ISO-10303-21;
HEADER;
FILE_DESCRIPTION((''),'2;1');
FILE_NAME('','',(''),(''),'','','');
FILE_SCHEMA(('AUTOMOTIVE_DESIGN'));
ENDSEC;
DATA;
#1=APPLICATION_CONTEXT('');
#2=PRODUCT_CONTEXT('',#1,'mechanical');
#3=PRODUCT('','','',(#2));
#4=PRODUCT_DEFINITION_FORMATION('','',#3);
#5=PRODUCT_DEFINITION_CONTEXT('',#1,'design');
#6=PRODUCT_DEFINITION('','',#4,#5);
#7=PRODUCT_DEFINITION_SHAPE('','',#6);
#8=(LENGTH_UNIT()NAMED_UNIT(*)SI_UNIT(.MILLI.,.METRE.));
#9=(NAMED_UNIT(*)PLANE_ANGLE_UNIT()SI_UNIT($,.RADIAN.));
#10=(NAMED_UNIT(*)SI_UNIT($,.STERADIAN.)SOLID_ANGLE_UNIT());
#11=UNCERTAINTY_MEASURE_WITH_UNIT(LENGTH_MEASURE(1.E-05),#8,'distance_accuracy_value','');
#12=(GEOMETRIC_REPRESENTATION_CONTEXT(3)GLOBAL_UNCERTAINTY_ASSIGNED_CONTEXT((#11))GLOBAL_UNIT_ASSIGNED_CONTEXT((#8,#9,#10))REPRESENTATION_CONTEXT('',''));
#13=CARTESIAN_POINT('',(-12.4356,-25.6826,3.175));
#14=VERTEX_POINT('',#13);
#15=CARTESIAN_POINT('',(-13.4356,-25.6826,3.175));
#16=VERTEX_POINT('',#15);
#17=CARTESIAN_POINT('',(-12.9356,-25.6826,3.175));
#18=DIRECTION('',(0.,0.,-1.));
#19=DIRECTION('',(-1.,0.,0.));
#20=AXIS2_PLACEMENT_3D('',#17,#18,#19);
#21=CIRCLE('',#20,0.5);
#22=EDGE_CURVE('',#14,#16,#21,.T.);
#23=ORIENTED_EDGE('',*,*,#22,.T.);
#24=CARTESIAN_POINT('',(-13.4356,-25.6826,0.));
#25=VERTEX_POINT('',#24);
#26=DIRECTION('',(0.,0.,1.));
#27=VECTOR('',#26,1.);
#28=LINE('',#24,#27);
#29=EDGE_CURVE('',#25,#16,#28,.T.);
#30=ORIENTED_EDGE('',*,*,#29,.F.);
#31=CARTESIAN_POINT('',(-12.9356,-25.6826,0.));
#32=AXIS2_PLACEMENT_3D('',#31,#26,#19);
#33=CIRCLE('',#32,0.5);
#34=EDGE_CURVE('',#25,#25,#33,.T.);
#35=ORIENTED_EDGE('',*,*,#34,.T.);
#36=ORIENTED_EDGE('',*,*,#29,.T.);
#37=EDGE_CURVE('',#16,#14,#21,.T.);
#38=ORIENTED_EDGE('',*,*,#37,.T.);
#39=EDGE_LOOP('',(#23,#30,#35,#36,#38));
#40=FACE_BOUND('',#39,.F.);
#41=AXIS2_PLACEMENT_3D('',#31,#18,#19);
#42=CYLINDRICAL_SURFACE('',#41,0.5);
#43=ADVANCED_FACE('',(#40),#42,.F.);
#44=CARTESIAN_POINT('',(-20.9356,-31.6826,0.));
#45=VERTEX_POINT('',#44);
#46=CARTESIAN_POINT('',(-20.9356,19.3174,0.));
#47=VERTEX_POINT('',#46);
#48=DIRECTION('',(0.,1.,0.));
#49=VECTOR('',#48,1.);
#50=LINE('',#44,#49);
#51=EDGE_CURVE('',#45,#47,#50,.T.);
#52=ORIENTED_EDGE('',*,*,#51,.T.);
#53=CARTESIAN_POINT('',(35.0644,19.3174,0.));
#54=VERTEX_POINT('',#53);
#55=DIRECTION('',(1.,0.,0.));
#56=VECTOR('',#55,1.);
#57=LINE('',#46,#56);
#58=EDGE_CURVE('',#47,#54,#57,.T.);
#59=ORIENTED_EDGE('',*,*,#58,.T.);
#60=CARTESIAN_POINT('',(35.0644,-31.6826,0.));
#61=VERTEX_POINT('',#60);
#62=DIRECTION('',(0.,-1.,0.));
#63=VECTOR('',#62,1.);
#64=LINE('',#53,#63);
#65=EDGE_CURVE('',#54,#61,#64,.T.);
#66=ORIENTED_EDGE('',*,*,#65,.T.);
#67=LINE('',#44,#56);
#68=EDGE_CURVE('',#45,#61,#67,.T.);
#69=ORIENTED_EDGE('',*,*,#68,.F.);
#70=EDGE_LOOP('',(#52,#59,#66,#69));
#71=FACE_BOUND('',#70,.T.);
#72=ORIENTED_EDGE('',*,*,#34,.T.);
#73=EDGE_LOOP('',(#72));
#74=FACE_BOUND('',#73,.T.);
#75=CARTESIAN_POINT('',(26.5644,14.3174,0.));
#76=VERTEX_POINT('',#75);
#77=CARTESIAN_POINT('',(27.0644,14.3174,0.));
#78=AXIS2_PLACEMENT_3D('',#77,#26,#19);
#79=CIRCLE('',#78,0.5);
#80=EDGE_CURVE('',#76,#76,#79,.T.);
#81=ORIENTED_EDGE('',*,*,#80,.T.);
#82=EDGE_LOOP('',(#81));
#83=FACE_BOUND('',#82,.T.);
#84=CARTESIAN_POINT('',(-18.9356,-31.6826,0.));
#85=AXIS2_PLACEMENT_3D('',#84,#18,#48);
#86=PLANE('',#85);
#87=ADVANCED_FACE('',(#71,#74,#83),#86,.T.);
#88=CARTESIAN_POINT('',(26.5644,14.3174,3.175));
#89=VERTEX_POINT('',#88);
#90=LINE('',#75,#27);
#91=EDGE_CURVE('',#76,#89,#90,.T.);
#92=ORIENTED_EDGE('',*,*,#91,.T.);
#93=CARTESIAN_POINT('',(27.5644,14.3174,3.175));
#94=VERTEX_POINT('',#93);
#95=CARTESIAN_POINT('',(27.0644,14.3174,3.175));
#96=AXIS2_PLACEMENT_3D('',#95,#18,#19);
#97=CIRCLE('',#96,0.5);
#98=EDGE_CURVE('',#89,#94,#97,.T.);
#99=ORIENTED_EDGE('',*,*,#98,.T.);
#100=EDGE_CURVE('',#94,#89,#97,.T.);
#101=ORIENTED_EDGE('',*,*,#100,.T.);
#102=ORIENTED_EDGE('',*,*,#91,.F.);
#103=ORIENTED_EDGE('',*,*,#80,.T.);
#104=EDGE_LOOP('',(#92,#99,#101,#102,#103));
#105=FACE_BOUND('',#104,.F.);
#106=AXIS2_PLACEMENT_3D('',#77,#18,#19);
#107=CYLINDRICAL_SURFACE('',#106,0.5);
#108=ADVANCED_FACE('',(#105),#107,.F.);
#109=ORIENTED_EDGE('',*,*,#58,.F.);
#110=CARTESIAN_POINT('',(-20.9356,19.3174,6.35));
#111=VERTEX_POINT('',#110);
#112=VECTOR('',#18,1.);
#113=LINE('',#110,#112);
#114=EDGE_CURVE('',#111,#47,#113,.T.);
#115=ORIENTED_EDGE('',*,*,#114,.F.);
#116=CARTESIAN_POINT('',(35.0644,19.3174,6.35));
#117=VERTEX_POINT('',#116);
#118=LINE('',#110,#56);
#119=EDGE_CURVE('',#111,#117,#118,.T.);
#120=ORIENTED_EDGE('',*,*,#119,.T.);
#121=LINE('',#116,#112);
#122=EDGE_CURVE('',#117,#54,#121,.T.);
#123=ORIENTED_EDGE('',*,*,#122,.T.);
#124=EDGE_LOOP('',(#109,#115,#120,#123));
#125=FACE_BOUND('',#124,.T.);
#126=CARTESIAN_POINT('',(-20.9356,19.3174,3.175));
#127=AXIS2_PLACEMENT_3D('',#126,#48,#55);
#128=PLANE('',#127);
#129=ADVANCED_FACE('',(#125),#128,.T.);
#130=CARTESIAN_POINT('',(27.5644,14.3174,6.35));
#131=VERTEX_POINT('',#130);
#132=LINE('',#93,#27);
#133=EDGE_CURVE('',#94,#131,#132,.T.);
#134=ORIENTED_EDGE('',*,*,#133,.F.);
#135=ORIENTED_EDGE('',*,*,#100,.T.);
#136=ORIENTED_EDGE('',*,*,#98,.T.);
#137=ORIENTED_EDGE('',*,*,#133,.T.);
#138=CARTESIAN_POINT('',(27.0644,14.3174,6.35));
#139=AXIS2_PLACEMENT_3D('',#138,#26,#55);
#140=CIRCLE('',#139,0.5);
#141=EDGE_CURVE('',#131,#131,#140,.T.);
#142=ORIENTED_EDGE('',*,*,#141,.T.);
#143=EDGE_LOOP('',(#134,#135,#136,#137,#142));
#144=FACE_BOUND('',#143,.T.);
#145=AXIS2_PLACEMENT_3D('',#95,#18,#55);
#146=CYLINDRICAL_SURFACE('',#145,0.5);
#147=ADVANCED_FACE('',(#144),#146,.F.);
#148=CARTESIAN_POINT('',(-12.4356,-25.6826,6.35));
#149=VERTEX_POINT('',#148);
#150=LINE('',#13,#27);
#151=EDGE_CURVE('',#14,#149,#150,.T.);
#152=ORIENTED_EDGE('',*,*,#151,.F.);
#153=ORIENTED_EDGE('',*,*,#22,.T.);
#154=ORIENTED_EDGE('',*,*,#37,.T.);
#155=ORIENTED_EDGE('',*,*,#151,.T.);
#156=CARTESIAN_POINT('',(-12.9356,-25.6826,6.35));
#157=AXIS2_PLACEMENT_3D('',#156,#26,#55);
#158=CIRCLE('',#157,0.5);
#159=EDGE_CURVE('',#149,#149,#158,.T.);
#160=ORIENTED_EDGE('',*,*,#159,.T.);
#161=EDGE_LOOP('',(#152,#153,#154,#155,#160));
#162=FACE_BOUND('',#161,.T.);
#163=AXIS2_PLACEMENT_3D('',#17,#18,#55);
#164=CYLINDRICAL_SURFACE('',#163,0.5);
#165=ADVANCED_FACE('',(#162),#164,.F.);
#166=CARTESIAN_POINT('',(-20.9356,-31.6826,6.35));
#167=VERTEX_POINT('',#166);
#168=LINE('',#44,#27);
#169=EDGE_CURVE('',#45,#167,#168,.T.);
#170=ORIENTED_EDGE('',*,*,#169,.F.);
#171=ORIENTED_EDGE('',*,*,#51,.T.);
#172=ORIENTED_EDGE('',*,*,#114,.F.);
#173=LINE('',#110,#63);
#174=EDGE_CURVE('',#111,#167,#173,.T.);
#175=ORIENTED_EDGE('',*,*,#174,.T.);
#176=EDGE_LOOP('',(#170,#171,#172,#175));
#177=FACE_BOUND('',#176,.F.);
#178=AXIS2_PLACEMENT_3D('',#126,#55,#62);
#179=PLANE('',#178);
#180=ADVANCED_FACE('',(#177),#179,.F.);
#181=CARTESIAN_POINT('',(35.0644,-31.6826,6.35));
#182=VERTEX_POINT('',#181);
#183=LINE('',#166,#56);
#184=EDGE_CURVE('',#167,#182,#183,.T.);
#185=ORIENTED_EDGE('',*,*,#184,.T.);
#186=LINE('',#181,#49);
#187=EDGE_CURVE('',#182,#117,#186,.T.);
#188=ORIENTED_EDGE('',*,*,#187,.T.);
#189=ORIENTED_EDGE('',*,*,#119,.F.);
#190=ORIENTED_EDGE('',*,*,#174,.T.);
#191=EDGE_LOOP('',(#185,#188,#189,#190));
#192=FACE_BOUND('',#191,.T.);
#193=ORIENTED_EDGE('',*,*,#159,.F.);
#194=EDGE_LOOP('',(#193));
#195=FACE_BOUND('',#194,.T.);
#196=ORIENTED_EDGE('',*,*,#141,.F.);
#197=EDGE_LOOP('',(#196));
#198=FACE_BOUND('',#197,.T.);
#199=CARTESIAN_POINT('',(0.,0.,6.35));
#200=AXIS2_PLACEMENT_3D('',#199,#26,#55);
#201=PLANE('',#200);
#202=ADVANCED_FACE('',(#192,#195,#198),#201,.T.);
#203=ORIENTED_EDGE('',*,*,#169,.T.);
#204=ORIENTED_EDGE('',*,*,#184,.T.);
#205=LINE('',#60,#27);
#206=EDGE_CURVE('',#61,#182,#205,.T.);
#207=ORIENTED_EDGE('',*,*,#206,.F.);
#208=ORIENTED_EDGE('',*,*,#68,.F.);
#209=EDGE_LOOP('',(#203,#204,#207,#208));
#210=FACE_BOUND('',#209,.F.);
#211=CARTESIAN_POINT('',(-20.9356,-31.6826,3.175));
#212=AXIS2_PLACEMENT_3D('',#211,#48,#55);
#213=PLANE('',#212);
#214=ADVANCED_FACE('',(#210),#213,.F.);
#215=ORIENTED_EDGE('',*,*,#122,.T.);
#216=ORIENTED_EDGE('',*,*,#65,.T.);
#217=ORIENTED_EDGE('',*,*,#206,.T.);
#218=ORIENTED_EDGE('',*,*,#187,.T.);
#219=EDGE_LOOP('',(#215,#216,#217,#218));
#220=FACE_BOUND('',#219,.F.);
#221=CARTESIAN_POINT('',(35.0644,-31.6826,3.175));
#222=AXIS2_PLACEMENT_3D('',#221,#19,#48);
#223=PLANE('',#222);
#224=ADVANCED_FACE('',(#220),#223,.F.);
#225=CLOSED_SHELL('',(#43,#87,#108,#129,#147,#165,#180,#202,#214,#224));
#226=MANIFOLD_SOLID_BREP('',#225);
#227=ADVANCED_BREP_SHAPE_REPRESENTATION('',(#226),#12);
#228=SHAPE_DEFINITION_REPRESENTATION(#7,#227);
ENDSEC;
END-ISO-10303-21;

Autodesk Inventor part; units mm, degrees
ref_plane "YZ Plane" through (0, 0, 0) normal (1, 0, 0) x (0, 1, 0)
ref_plane "XZ Plane" through (0, 0, 0) normal (0, 1, 0) x (-1, 0, 0)
ref_plane "XY Plane" through (0, 0, 0) normal (0, 0, 1) x (1, 0, 0)
sketch "Sketch1" plane through (0, 0, 0) normal (0, 0, 1) x (1, 0, 0)
  line L0 (-22.6981, 19.3174) -> (27.3019, 19.3174)
  line L1 (27.3019, 19.3174) -> (27.3019, -30.6826)
  line L2 (27.3019, -30.6826) -> (-22.6981, -30.6826)
  line L3 (-22.6981, -30.6826) -> (-22.6981, 19.3174)
  point P0 (0, 0)
  dimension "d0" = 50
  dimension "d1" = 50
extrude "Extrusion1" add sketch "Sketch1" along normal blind 3.175
sketch "Sketch2" plane through (27.3019, -30.6826, 0) normal (1, 0, 0) x (0, 0, -1)
  line L0 (-3.175, 50) -> (-3.175, 0) projected
  line L1 (0, 0) -> (-3.175, 0) projected
  line L2 (0, 50) -> (0, 0) projected
  line L3 (0, 50) -> (-3.175, 50) projected
  point P0 (0, 30.6826)
extrude "Extrusion2" add sketch "Sketch2" along normal blind 9.525
sketch "Sketch3" plane through (0, 0, 3.175) normal (0, 0, 1) x (1, 0, 0)
  line L0 (-22.6981, -30.6826) -> (-22.6981, 19.3174) projected
  line L1 (36.8269, -30.6826) -> (-22.6981, -30.6826) projected
  line L2 (-22.6981, 19.3174) -> (-19.5231, 19.3174)
  line L3 (-19.5231, 19.3174) -> (-19.5231, 4.3174)
  line L4 (-19.5231, 4.3174) -> (-22.6981, 4.3174)
  line L5 (-22.6981, 4.3174) -> (-22.6981, 19.3174)
  line L6 (36.8269, 19.3174) -> (33.6519, 19.3174)
  line L7 (33.6519, 19.3174) -> (33.6519, 4.3174)
  line L8 (33.6519, 4.3174) -> (36.8269, 4.3174)
  line L9 (36.8269, 4.3174) -> (36.8269, 19.3174)
  line L10 (36.8269, -30.6826) -> (33.6519, -30.6826)
  line L11 (33.6519, -30.6826) -> (33.6519, -15.6826)
  line L12 (33.6519, -15.6826) -> (36.8269, -15.6826)
  line L13 (36.8269, -15.6826) -> (36.8269, -30.6826)
  line L14 (-22.6981, -15.6826) -> (-19.5231, -15.6826)
  line L15 (-19.5231, -15.6826) -> (-19.5231, -30.6826)
  line L16 (-19.5231, -30.6826) -> (-22.6981, -30.6826)
  line L17 (-22.6981, -30.6826) -> (-22.6981, -15.6826)
  point P0 (0, 0)
  dimension "d6" = 3.175
  dimension "d7" = 15
  dimension "d8" = 3.175
  dimension "d9" = 15
extrude "Extrusion3" cut sketch "Sketch3" against normal blind 9.525
sketch "Sketch4" plane through (0, 0, 0) normal (0, 0, -1) x (-1, 0, 0)
  line L0 (-33.6519, -30.6826) -> (19.5231, -30.6826) projected
  line L1 (19.5231, 19.3174) -> (-33.6519, 19.3174) projected
  line L2 (-7.0644, 19.3174) -> (-27.0644, 19.3174)
  line L3 (-27.0644, 19.3174) -> (-27.0644, 14.3174)
  line L4 (-7.0644, -30.6826) -> (12.9356, -30.6826)
  line L5 (12.9356, -30.6826) -> (12.9356, -25.6826)
  circle A0 centre (-27.0644, 14.3174) radius 0.5
  circle A1 centre (12.9356, -25.6826) radius 0.5
  point P0 (0, 0)
  dimension "d12" = 20
  dimension "d13" = 5
  dimension "d14" = 20
  dimension "d15" = 5
  dimension "d16" = 1
  dimension "d17" = 1
extrude "Extrusion4" cut sketch "Sketch4" against normal blind 25.4
sketch "Sketch5" plane through (0, 0, 0) normal (0, 0, -1) x (-1, 0, 0)
  line L0 (-33.6519, 4.3174) -> (-36.8269, 4.3174) projected
  line L1 (-36.8269, 4.3174) -> (-36.8269, -15.6826) projected
  line L2 (-36.8269, -15.6826) -> (-33.6519, -15.6826) projected
  line L3 (-33.6519, -15.6826) -> (-33.6519, -30.6826) projected
  line L4 (-33.6519, -30.6826) -> (19.5231, -30.6826) projected
  line L5 (19.5231, -30.6826) -> (19.5231, -15.6826) projected
  line L6 (19.5231, -15.6826) -> (22.6981, -15.6826) projected
  line L7 (22.6981, -15.6826) -> (22.6981, 4.3174) projected
  line L8 (22.6981, 4.3174) -> (19.5231, 4.3174) projected
  line L9 (19.5231, 4.3174) -> (19.5231, 19.3174) projected
  line L10 (19.5231, 19.3174) -> (-33.6519, 19.3174) projected
  line L11 (-33.6519, 19.3174) -> (-33.6519, 4.3174) projected
  line L12 (19.5231, -30.6826) -> (17.9356, -30.6826)
  line L13 (17.9356, -30.6826) -> (17.9356, 19.3174)
  line L14 (-33.6519, 19.3174) -> (-32.0644, 19.3174)
  line L15 (-32.0644, 19.3174) -> (-32.0644, -30.6826)
  point P0 (0, 0)
  dimension "d20" = 1.5875
  dimension "d21" = 1.5875
extrude "Extrusion5" cut sketch "Sketch5" against normal blind 25.4 contours L11 L10 L15 L4 L3 L2 L1 L0 | L10 L9 L8 L7 L6 L5 L4 L13
sketch "Sketch6" plane through (-17.9356, -30.6826, 0) normal (0, -1, 0) x (1, 0, 0)
  line L0 (0, 3.175) -> (0, 0) projected
  line L1 (50, 0) -> (0, 0) projected
  line L2 (50, 0) -> (50, 3.175) projected
  line L3 (50, 3.175) -> (0, 3.175) projected
  point P0 (17.9356, 0)
extrude "Extrusion6" add sketch "Sketch6" along normal blind 3.175
sketch "Sketch7" plane through (-17.9356, 19.3174, 0) normal (-1, 0, 0) x (0, 0, 1)
  line L0 (3.175, 0) -> (3.175, -53.175) projected
  line L1 (0, 0) -> (3.175, 0) projected
  line L2 (0, 0) -> (0, -53.175) projected
  line L3 (0, -53.175) -> (3.175, -53.175) projected
  point P0 (0, -19.3174)
extrude "Extrusion7" add sketch "Sketch7" along normal blind 1.27
sketch "Sketch8" plane through (32.0644, 19.3174, 3.175) normal (1, 0, 0) x (0, 0, -1)
  line L0 (0, -53.175) -> (0, 0) projected
  line L1 (0, -53.175) -> (3.175, -53.175) projected
  line L2 (3.175, 0) -> (3.175, -53.175) projected
  line L3 (0, 0) -> (3.175, 0) projected
  point P0 (3.175, -19.3174)
extrude "Extrusion8" add sketch "Sketch8" along normal blind 1.27
sketch "Sketch9" plane through (-17.9356, -33.8576, 0) normal (0, -1, 0) x (1, 0, 0)
  line L0 (-1.27, 3.175) -> (51.27, 3.175) projected
  line L1 (-1.27, 3.175) -> (-1.27, 0) projected
  line L2 (51.27, 0) -> (-1.27, 0) projected
  line L3 (51.27, 0) -> (51.27, 3.175) projected
  point P0 (17.9356, 0)
extrude "Extrusion9" cut sketch "Sketch9" against normal blind 3.175
sketch "Sketch10" plane through (-17.9356, -30.6826, 0) normal (0, -1, 0) x (1, 0, 0)
  line L0 (-1.27, 0) -> (-1.27, 3.175) projected
  line L1 (51.27, 0) -> (-1.27, 0) projected
  line L2 (51.27, 3.175) -> (51.27, 0) projected
  line L3 (-1.27, 3.175) -> (51.27, 3.175) projected
  point P0 (17.9356, 0)
extrude "Extrusion10" add sketch "Sketch10" along normal blind 1.27
sketch "Sketch11" plane through (33.3344, 19.3174, 3.175) normal (1, 0, 0) x (0, 0, -1)
  line L0 (3.175, 0) -> (3.175, -51.27) projected
  line L1 (0, 0) -> (3.175, 0) projected
  line L2 (0, -51.27) -> (0, 0) projected
  line L3 (0, -51.27) -> (3.175, -51.27) projected
  point P0 (3.175, -19.3174)
extrude "Extrusion11" cut sketch "Sketch11" against normal blind 1.27
sketch "Sketch12" plane through (-17.9356, -31.9526, 0) normal (0, -1, 0) x (1, 0, 0)
  line L0 (50, 0) -> (50, 3.175) projected
  line L1 (-1.27, 3.175) -> (50, 3.175) projected
  line L2 (-1.27, 0) -> (-1.27, 3.175) projected
  line L3 (50, 0) -> (-1.27, 0) projected
  point P0 (17.9356, 0)
extrude "Extrusion12" cut sketch "Sketch12" against normal blind 1.27
sketch "Sketch13" plane through (-19.2056, 19.3174, 0) normal (-1, 0, 0) x (0, 0, 1)
  line L0 (0, -50) -> (3.175, -50) projected
  line L1 (3.175, 0) -> (3.175, -50) projected
  line L2 (0, 0) -> (3.175, 0) projected
  line L3 (0, -50) -> (0, 0) projected
  point P0 (0, -19.3174)
extrude "Extrusion13" cut sketch "Sketch13" against normal blind 1.27
sketch "Sketch14" plane through (-17.9356, -30.6826, 0) normal (0, -1, 0) x (1, 0, 0)
  line L0 (0, 3.175) -> (0, 0) projected
  line L1 (50, 0) -> (0, 0) projected
  line L2 (50, 3.175) -> (50, 0) projected
  line L3 (0, 3.175) -> (50, 3.175) projected
  point P0 (17.9356, 0)
extrude "Extrusion14" add sketch "Sketch14" along normal blind 1
sketch "Sketch15" plane through (-17.9356, 19.3174, 0) normal (-1, 0, 0) x (0, 0, 1)
  line L0 (3.175, 0) -> (3.175, -51) projected
  line L1 (0, 0) -> (3.175, 0) projected
  line L2 (0, 0) -> (0, -51) projected
  line L3 (0, -51) -> (3.175, -51) projected
  point P0 (0, -19.3174)
extrude "Extrusion15" add sketch "Sketch15" along normal blind 1
sketch "Sketch16" plane through (32.0644, 19.3174, 3.175) normal (1, 0, 0) x (0, 0, -1)
  line L0 (3.175, 0) -> (3.175, -51) projected
  line L1 (0, 0) -> (3.175, 0) projected
  line L2 (0, -51) -> (0, 0) projected
  line L3 (0, -51) -> (3.175, -51) projected
  point P0 (3.175, -19.3174)
extrude "Extrusion16" add sketch "Sketch16" along normal blind 1
sketch "Sketch17" plane through (33.0644, 19.3174, 3.175) normal (1, 0, 0) x (0, 0, -1)
  line L0 (3.175, -51) -> (0, -51) projected
  line L1 (3.175, 0) -> (3.175, -51) projected
  line L2 (0, 0) -> (3.175, 0) projected
  line L3 (0, -51) -> (0, 0) projected
  point P0 (3.175, -19.3174)
extrude "Extrusion17" add sketch "Sketch17" along normal blind 2
sketch "Sketch18" plane through (-18.9356, 19.3174, 0) normal (-1, 0, 0) x (0, 0, 1)
  line L0 (3.175, -51) -> (0, -51) projected
  line L1 (3.175, 0) -> (3.175, -51) projected
  line L2 (0, 0) -> (3.175, 0) projected
  line L3 (0, -51) -> (0, 0) projected
  point P0 (0, -19.3174)
extrude "Extrusion18" add sketch "Sketch18" along normal blind 2
sketch "Sketch19" plane through (0, 0, 3.175) normal (0, 0, 1) x (1, 0, 0)
  line L0 (-20.9356, -31.6826) -> (35.0644, -31.6826) projected
  line L1 (35.0644, -31.6826) -> (35.0644, 19.3174) projected
  line L2 (-20.9356, 19.3174) -> (35.0644, 19.3174) projected
  line L3 (-20.9356, 19.3174) -> (-20.9356, -31.6826) projected
  circle A0 centre (27.0644, 14.3174) radius 0.5 projected
  circle A1 centre (-12.9356, -25.6826) radius 0.5 projected
  point P0 (0, 0)
extrude "Extrusion19" add sketch "Sketch19" along normal blind 3.175
properties part number "h base"
